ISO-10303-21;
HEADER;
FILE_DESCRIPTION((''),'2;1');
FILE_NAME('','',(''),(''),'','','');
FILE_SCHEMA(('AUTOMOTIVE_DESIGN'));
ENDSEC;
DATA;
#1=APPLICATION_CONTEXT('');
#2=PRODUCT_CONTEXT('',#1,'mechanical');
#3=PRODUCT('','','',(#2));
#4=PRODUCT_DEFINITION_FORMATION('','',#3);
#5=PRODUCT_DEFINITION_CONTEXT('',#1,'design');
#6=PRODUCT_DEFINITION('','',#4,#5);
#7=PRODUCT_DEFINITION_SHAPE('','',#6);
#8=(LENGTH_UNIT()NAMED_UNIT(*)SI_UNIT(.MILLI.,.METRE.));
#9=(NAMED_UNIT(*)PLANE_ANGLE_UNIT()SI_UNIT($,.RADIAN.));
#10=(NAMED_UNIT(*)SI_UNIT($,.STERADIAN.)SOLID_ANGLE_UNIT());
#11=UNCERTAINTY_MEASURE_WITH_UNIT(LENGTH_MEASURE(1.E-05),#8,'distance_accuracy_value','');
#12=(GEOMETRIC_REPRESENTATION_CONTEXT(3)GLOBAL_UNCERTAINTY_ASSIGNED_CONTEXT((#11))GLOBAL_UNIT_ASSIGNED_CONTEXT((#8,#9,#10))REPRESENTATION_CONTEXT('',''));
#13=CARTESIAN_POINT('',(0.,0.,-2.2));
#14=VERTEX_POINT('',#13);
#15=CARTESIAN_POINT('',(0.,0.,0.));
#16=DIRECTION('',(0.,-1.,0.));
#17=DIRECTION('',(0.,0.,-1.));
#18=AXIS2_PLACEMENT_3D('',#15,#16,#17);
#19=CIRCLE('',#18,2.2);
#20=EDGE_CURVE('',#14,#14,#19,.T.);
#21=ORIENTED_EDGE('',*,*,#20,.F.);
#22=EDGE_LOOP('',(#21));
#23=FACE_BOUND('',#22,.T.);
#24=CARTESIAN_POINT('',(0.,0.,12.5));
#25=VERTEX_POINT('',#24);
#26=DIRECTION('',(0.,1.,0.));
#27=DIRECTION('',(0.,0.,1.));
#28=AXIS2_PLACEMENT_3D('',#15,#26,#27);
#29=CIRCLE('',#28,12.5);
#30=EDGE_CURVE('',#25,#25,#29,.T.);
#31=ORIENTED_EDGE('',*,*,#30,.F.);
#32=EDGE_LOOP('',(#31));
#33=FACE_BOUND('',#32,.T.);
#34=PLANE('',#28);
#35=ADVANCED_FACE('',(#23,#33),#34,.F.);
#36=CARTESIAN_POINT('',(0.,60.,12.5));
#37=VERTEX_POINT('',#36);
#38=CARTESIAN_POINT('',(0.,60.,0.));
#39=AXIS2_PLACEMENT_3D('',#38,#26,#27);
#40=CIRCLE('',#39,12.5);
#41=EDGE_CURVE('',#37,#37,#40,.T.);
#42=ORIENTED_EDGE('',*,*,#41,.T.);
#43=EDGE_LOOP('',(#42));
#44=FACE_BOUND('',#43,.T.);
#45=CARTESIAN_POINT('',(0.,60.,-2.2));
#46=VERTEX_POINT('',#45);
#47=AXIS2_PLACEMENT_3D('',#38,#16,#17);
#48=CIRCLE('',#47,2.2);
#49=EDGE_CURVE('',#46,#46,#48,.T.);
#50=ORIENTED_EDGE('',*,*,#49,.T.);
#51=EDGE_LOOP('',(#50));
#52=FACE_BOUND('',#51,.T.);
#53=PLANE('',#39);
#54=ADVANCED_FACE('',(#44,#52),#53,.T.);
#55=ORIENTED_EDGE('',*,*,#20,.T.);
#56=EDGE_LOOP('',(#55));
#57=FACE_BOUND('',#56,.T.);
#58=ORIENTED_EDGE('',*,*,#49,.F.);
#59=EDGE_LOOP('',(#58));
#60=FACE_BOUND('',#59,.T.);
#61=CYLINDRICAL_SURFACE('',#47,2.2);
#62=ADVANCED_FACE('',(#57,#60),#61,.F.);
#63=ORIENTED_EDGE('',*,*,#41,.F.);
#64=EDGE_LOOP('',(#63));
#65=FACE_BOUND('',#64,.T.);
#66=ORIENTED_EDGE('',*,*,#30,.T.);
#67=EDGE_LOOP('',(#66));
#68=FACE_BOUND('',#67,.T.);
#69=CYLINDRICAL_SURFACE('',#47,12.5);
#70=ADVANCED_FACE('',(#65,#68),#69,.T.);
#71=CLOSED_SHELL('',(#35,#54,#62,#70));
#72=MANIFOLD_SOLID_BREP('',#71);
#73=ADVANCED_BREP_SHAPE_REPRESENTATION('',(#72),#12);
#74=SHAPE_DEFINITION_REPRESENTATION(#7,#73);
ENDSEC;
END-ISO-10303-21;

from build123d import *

# Parameters (mm, degrees)
ESQUISSE1_R             = 12.5
BOSS_EXTRU_1_DEPTH      = 60
ESQUISSE2_R             = 2.2
ENL_V_MAT_EXTRU_1_DEPTH = 60


with BuildPart() as part:
    # Esquisse1 → Boss.-Extru.1 (new body)
    with BuildSketch(Plane(origin=(0, 0, 0), x_dir=(1, 0, 0), z_dir=(0, 1, 0))):
        with Locations(Location((0, 0, 0), (0, 0, 270))):
            Circle(ESQUISSE1_R)
    extrude(amount=BOSS_EXTRU_1_DEPTH)

    # Esquisse2 → Enlèv. mat.-Extru.1 (cut)
    with BuildSketch(Plane.XZ):
        with Locations(Location((0, 0, 0), (0, 0, 270))):
            Circle(ESQUISSE2_R)
    extrude(amount=-ENL_V_MAT_EXTRU_1_DEPTH, mode=Mode.SUBTRACT)


solid = part.part
